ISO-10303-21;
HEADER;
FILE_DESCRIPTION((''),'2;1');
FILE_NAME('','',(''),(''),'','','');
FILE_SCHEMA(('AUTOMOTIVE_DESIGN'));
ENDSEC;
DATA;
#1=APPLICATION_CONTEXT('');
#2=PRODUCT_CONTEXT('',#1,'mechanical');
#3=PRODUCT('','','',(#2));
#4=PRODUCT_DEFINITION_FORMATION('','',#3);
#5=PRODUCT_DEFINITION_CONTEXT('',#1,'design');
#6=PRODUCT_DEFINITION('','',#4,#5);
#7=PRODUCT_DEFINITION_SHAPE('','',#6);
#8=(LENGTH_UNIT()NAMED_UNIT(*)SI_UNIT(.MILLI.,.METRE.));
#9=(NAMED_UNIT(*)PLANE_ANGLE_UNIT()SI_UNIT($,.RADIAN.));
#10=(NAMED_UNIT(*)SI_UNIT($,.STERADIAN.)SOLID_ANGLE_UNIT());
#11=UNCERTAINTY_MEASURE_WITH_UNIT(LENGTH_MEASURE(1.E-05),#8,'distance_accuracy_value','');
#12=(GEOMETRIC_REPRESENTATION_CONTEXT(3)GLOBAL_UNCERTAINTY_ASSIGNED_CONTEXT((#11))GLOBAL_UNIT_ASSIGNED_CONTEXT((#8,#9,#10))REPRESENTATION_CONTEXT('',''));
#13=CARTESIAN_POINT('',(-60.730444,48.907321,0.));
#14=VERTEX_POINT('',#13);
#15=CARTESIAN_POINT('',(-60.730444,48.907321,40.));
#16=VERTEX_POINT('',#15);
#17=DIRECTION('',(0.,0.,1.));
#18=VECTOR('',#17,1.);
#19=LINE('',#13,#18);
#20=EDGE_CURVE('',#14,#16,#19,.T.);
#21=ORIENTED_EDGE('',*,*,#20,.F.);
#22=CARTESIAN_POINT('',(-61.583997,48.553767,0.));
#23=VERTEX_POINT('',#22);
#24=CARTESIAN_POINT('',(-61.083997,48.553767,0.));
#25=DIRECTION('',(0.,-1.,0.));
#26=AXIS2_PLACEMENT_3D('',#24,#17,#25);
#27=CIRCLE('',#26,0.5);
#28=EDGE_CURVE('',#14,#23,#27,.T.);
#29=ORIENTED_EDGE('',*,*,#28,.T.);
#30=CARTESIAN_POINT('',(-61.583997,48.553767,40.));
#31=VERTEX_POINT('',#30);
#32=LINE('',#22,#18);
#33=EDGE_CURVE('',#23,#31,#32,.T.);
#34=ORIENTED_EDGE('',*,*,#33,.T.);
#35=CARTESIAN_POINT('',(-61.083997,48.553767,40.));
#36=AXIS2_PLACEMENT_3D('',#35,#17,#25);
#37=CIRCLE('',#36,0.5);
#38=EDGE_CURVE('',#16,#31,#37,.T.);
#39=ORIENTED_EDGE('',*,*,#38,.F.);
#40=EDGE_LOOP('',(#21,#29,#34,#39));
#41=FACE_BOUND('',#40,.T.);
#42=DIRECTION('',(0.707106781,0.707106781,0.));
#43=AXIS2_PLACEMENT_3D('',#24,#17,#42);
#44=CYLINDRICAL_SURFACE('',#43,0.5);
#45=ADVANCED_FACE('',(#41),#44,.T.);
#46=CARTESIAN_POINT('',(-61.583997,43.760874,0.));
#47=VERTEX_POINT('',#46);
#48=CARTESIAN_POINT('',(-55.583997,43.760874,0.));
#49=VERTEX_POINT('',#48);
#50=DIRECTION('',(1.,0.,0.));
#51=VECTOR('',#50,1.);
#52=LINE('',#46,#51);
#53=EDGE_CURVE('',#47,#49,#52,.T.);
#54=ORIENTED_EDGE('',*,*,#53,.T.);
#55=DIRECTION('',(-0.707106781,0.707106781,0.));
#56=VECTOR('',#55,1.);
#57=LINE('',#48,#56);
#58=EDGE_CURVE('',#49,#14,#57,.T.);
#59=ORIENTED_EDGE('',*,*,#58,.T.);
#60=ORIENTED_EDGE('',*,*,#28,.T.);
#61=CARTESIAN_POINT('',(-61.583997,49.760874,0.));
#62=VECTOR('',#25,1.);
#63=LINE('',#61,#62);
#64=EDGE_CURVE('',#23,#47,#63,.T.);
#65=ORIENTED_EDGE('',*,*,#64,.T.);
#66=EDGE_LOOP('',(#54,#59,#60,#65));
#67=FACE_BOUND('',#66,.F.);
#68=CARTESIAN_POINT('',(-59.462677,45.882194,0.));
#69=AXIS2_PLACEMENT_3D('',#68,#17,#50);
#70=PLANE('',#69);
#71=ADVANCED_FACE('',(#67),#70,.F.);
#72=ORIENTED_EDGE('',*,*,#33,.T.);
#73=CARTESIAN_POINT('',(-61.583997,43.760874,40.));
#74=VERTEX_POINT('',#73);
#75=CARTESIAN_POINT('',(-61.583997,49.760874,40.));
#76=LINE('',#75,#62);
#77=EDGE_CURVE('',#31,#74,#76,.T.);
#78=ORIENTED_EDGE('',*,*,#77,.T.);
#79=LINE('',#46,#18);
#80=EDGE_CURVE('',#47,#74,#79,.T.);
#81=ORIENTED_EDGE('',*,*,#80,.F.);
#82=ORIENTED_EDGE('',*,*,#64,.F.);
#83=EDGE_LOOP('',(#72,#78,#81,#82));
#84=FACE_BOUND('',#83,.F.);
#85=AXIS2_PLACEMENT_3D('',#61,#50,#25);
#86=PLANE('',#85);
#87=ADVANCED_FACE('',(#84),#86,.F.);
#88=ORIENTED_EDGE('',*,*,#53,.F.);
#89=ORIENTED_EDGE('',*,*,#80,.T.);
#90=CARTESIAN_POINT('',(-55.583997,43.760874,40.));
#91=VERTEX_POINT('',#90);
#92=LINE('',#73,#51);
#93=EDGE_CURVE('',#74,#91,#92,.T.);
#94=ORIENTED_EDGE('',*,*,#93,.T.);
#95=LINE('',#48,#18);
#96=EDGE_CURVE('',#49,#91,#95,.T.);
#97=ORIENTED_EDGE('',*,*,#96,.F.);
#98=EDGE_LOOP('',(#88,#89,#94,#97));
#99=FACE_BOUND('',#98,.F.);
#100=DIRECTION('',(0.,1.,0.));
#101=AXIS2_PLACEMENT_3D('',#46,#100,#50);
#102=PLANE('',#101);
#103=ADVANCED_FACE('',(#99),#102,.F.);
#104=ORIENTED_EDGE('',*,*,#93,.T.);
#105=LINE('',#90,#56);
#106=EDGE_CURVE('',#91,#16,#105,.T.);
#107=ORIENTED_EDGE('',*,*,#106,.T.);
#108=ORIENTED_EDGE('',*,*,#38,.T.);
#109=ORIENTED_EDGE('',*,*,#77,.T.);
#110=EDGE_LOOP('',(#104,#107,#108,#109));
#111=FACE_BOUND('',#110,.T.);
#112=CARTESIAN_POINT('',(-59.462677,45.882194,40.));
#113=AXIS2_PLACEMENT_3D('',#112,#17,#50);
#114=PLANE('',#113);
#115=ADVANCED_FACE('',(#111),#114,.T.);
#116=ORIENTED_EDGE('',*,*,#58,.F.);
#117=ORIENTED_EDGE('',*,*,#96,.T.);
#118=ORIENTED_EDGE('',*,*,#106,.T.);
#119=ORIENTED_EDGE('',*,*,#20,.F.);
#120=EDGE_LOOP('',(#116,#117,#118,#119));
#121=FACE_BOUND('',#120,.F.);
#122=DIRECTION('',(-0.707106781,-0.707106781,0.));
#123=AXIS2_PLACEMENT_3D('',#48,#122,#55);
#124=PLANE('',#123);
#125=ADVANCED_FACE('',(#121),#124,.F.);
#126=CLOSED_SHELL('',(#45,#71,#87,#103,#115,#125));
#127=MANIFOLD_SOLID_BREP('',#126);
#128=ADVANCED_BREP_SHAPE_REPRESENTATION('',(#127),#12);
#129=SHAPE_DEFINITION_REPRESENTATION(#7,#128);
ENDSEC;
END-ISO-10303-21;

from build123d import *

# Parameters (mm, degrees)
F1_DEPTH = 40
F2_R     = 0.5


with BuildPart() as f1:
    # F0 (on Top) → F1 (new body)
    with BuildSketch(Plane.XY):
        Polygon((-55.583997, 43.760874), (-61.583997, 49.760874), (-61.583997, 43.760874), align=None)
    extrude(amount=F1_DEPTH)

    # F2
    f2_edges = [f1.edges().sort_by_distance(p)[0] for p in [
        (-61.583997, 49.760874, 20),
    ]]
    fillet(f2_edges, radius=F2_R)


solid = f1.part
